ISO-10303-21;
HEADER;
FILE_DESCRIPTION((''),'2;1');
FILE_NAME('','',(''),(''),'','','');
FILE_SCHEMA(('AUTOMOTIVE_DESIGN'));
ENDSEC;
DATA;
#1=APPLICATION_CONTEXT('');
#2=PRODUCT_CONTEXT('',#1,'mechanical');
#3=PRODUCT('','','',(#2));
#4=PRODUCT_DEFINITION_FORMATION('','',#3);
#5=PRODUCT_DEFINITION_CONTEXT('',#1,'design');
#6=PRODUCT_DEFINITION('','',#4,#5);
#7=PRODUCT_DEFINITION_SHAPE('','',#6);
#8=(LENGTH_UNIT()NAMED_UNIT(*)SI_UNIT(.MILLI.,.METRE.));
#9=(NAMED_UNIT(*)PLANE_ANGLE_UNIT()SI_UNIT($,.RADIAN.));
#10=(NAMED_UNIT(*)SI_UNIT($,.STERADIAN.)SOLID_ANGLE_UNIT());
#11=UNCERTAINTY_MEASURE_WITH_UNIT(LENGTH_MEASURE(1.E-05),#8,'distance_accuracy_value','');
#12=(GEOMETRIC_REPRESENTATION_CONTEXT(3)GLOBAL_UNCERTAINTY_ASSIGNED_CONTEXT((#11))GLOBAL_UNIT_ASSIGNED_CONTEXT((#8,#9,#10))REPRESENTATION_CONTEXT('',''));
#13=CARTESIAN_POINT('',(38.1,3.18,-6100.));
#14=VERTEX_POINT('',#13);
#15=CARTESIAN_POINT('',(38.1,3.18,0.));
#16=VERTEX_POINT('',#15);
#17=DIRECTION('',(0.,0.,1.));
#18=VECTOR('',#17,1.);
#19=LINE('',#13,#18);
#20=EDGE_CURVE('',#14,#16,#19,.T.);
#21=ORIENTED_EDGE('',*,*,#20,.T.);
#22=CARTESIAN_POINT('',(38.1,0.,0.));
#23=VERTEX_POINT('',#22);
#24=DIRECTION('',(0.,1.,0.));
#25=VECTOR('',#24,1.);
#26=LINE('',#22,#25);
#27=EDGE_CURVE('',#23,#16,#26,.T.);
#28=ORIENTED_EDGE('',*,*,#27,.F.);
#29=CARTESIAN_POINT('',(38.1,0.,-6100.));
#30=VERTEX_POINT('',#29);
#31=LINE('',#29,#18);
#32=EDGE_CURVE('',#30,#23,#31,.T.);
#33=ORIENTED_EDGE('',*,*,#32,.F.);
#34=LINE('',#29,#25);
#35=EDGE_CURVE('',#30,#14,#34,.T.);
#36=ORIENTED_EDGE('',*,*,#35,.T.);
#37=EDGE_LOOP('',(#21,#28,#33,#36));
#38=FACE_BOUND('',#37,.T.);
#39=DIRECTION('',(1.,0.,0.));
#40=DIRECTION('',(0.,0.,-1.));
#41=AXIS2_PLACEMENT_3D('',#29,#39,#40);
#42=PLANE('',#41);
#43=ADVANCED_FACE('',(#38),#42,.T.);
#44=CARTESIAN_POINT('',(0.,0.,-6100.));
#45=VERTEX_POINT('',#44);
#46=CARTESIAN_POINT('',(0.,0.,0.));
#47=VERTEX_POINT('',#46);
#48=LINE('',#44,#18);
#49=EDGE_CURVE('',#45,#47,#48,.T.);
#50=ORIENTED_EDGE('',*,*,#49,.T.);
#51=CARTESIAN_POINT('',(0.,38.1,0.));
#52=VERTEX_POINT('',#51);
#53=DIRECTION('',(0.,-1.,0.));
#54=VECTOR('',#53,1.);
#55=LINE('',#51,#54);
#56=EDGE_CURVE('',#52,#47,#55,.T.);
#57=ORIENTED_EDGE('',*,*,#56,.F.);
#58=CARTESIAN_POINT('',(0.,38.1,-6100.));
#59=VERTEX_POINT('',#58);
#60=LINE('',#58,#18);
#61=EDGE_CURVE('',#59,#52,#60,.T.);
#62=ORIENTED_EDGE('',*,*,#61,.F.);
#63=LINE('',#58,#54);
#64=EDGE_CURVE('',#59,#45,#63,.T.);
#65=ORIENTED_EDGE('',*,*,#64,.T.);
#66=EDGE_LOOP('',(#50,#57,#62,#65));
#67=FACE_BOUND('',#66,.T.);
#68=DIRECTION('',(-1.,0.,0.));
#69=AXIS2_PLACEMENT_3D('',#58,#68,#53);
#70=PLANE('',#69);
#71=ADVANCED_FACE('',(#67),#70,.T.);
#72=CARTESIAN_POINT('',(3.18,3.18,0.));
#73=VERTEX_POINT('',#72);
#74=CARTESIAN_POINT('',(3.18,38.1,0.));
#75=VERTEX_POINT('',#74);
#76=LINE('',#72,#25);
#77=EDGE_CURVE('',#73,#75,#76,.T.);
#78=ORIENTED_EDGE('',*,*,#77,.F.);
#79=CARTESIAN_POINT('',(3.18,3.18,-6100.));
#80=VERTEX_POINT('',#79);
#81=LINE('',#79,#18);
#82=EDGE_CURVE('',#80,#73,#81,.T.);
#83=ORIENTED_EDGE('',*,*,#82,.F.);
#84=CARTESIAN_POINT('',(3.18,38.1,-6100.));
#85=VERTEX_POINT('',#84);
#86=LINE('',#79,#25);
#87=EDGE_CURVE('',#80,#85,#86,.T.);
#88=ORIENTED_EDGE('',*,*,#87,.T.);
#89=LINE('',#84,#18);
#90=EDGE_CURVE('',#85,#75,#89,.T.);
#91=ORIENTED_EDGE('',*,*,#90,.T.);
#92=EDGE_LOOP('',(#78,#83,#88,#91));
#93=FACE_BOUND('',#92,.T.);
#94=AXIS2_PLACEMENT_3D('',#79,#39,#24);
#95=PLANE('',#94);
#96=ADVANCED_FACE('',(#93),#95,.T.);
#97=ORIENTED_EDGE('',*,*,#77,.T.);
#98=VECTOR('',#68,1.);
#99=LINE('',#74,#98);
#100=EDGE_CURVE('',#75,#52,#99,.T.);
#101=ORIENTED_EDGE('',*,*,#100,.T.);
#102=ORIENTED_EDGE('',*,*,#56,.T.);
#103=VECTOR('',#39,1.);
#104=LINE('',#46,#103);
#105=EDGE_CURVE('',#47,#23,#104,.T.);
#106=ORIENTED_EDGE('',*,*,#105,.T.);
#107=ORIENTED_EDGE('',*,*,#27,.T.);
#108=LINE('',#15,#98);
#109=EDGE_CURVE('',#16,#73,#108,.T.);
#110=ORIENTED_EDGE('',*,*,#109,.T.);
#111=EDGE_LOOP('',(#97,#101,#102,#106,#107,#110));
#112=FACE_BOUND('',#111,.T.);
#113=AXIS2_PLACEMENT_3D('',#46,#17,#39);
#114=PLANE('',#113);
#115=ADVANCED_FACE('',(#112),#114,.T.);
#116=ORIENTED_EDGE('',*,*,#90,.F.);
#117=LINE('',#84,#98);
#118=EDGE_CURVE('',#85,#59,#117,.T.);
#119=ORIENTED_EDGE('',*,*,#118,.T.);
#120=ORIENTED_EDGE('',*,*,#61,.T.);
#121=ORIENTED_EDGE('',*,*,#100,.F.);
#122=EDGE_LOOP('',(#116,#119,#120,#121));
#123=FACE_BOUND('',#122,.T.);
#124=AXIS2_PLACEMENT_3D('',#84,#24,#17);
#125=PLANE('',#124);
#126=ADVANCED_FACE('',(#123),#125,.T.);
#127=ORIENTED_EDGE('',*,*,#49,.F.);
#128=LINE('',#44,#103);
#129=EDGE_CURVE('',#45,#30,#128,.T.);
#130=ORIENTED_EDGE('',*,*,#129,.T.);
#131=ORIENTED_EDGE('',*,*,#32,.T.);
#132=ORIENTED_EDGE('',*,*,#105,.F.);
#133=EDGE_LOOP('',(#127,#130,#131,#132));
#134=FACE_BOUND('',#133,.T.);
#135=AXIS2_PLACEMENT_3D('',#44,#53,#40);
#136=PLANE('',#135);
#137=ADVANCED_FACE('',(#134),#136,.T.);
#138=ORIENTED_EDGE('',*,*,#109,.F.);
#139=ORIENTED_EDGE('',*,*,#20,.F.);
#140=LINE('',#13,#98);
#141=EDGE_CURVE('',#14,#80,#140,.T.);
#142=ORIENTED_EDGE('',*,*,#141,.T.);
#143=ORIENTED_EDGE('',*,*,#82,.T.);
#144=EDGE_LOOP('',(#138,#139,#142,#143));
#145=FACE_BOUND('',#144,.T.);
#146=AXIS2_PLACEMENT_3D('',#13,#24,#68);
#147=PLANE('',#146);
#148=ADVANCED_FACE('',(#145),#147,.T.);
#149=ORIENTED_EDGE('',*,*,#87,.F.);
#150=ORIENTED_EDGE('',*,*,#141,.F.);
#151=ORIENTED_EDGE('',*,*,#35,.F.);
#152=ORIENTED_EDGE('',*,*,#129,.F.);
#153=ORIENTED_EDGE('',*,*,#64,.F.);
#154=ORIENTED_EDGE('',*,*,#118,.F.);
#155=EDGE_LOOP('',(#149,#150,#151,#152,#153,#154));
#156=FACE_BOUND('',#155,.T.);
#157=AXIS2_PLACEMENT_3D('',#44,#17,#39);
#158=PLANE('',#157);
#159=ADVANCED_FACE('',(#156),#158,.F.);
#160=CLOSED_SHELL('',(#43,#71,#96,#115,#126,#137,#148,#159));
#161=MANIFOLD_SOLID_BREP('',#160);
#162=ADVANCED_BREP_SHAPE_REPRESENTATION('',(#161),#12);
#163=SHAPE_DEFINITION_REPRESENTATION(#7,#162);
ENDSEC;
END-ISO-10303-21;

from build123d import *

# Parameters (mm, degrees)
SALIENTE_EXTRUIR1_DEPTH = 6100


with BuildPart() as part:
    # Croquis1 → Saliente-Extruir1 (new body)
    with BuildSketch(Plane.XY):
        Polygon((0, 38.1), (0, 0), (38.1, 0), (38.1, 3.18), (3.18, 3.18), (3.18, 38.1), align=None)
    extrude(amount=-SALIENTE_EXTRUIR1_DEPTH)


solid = part.part
